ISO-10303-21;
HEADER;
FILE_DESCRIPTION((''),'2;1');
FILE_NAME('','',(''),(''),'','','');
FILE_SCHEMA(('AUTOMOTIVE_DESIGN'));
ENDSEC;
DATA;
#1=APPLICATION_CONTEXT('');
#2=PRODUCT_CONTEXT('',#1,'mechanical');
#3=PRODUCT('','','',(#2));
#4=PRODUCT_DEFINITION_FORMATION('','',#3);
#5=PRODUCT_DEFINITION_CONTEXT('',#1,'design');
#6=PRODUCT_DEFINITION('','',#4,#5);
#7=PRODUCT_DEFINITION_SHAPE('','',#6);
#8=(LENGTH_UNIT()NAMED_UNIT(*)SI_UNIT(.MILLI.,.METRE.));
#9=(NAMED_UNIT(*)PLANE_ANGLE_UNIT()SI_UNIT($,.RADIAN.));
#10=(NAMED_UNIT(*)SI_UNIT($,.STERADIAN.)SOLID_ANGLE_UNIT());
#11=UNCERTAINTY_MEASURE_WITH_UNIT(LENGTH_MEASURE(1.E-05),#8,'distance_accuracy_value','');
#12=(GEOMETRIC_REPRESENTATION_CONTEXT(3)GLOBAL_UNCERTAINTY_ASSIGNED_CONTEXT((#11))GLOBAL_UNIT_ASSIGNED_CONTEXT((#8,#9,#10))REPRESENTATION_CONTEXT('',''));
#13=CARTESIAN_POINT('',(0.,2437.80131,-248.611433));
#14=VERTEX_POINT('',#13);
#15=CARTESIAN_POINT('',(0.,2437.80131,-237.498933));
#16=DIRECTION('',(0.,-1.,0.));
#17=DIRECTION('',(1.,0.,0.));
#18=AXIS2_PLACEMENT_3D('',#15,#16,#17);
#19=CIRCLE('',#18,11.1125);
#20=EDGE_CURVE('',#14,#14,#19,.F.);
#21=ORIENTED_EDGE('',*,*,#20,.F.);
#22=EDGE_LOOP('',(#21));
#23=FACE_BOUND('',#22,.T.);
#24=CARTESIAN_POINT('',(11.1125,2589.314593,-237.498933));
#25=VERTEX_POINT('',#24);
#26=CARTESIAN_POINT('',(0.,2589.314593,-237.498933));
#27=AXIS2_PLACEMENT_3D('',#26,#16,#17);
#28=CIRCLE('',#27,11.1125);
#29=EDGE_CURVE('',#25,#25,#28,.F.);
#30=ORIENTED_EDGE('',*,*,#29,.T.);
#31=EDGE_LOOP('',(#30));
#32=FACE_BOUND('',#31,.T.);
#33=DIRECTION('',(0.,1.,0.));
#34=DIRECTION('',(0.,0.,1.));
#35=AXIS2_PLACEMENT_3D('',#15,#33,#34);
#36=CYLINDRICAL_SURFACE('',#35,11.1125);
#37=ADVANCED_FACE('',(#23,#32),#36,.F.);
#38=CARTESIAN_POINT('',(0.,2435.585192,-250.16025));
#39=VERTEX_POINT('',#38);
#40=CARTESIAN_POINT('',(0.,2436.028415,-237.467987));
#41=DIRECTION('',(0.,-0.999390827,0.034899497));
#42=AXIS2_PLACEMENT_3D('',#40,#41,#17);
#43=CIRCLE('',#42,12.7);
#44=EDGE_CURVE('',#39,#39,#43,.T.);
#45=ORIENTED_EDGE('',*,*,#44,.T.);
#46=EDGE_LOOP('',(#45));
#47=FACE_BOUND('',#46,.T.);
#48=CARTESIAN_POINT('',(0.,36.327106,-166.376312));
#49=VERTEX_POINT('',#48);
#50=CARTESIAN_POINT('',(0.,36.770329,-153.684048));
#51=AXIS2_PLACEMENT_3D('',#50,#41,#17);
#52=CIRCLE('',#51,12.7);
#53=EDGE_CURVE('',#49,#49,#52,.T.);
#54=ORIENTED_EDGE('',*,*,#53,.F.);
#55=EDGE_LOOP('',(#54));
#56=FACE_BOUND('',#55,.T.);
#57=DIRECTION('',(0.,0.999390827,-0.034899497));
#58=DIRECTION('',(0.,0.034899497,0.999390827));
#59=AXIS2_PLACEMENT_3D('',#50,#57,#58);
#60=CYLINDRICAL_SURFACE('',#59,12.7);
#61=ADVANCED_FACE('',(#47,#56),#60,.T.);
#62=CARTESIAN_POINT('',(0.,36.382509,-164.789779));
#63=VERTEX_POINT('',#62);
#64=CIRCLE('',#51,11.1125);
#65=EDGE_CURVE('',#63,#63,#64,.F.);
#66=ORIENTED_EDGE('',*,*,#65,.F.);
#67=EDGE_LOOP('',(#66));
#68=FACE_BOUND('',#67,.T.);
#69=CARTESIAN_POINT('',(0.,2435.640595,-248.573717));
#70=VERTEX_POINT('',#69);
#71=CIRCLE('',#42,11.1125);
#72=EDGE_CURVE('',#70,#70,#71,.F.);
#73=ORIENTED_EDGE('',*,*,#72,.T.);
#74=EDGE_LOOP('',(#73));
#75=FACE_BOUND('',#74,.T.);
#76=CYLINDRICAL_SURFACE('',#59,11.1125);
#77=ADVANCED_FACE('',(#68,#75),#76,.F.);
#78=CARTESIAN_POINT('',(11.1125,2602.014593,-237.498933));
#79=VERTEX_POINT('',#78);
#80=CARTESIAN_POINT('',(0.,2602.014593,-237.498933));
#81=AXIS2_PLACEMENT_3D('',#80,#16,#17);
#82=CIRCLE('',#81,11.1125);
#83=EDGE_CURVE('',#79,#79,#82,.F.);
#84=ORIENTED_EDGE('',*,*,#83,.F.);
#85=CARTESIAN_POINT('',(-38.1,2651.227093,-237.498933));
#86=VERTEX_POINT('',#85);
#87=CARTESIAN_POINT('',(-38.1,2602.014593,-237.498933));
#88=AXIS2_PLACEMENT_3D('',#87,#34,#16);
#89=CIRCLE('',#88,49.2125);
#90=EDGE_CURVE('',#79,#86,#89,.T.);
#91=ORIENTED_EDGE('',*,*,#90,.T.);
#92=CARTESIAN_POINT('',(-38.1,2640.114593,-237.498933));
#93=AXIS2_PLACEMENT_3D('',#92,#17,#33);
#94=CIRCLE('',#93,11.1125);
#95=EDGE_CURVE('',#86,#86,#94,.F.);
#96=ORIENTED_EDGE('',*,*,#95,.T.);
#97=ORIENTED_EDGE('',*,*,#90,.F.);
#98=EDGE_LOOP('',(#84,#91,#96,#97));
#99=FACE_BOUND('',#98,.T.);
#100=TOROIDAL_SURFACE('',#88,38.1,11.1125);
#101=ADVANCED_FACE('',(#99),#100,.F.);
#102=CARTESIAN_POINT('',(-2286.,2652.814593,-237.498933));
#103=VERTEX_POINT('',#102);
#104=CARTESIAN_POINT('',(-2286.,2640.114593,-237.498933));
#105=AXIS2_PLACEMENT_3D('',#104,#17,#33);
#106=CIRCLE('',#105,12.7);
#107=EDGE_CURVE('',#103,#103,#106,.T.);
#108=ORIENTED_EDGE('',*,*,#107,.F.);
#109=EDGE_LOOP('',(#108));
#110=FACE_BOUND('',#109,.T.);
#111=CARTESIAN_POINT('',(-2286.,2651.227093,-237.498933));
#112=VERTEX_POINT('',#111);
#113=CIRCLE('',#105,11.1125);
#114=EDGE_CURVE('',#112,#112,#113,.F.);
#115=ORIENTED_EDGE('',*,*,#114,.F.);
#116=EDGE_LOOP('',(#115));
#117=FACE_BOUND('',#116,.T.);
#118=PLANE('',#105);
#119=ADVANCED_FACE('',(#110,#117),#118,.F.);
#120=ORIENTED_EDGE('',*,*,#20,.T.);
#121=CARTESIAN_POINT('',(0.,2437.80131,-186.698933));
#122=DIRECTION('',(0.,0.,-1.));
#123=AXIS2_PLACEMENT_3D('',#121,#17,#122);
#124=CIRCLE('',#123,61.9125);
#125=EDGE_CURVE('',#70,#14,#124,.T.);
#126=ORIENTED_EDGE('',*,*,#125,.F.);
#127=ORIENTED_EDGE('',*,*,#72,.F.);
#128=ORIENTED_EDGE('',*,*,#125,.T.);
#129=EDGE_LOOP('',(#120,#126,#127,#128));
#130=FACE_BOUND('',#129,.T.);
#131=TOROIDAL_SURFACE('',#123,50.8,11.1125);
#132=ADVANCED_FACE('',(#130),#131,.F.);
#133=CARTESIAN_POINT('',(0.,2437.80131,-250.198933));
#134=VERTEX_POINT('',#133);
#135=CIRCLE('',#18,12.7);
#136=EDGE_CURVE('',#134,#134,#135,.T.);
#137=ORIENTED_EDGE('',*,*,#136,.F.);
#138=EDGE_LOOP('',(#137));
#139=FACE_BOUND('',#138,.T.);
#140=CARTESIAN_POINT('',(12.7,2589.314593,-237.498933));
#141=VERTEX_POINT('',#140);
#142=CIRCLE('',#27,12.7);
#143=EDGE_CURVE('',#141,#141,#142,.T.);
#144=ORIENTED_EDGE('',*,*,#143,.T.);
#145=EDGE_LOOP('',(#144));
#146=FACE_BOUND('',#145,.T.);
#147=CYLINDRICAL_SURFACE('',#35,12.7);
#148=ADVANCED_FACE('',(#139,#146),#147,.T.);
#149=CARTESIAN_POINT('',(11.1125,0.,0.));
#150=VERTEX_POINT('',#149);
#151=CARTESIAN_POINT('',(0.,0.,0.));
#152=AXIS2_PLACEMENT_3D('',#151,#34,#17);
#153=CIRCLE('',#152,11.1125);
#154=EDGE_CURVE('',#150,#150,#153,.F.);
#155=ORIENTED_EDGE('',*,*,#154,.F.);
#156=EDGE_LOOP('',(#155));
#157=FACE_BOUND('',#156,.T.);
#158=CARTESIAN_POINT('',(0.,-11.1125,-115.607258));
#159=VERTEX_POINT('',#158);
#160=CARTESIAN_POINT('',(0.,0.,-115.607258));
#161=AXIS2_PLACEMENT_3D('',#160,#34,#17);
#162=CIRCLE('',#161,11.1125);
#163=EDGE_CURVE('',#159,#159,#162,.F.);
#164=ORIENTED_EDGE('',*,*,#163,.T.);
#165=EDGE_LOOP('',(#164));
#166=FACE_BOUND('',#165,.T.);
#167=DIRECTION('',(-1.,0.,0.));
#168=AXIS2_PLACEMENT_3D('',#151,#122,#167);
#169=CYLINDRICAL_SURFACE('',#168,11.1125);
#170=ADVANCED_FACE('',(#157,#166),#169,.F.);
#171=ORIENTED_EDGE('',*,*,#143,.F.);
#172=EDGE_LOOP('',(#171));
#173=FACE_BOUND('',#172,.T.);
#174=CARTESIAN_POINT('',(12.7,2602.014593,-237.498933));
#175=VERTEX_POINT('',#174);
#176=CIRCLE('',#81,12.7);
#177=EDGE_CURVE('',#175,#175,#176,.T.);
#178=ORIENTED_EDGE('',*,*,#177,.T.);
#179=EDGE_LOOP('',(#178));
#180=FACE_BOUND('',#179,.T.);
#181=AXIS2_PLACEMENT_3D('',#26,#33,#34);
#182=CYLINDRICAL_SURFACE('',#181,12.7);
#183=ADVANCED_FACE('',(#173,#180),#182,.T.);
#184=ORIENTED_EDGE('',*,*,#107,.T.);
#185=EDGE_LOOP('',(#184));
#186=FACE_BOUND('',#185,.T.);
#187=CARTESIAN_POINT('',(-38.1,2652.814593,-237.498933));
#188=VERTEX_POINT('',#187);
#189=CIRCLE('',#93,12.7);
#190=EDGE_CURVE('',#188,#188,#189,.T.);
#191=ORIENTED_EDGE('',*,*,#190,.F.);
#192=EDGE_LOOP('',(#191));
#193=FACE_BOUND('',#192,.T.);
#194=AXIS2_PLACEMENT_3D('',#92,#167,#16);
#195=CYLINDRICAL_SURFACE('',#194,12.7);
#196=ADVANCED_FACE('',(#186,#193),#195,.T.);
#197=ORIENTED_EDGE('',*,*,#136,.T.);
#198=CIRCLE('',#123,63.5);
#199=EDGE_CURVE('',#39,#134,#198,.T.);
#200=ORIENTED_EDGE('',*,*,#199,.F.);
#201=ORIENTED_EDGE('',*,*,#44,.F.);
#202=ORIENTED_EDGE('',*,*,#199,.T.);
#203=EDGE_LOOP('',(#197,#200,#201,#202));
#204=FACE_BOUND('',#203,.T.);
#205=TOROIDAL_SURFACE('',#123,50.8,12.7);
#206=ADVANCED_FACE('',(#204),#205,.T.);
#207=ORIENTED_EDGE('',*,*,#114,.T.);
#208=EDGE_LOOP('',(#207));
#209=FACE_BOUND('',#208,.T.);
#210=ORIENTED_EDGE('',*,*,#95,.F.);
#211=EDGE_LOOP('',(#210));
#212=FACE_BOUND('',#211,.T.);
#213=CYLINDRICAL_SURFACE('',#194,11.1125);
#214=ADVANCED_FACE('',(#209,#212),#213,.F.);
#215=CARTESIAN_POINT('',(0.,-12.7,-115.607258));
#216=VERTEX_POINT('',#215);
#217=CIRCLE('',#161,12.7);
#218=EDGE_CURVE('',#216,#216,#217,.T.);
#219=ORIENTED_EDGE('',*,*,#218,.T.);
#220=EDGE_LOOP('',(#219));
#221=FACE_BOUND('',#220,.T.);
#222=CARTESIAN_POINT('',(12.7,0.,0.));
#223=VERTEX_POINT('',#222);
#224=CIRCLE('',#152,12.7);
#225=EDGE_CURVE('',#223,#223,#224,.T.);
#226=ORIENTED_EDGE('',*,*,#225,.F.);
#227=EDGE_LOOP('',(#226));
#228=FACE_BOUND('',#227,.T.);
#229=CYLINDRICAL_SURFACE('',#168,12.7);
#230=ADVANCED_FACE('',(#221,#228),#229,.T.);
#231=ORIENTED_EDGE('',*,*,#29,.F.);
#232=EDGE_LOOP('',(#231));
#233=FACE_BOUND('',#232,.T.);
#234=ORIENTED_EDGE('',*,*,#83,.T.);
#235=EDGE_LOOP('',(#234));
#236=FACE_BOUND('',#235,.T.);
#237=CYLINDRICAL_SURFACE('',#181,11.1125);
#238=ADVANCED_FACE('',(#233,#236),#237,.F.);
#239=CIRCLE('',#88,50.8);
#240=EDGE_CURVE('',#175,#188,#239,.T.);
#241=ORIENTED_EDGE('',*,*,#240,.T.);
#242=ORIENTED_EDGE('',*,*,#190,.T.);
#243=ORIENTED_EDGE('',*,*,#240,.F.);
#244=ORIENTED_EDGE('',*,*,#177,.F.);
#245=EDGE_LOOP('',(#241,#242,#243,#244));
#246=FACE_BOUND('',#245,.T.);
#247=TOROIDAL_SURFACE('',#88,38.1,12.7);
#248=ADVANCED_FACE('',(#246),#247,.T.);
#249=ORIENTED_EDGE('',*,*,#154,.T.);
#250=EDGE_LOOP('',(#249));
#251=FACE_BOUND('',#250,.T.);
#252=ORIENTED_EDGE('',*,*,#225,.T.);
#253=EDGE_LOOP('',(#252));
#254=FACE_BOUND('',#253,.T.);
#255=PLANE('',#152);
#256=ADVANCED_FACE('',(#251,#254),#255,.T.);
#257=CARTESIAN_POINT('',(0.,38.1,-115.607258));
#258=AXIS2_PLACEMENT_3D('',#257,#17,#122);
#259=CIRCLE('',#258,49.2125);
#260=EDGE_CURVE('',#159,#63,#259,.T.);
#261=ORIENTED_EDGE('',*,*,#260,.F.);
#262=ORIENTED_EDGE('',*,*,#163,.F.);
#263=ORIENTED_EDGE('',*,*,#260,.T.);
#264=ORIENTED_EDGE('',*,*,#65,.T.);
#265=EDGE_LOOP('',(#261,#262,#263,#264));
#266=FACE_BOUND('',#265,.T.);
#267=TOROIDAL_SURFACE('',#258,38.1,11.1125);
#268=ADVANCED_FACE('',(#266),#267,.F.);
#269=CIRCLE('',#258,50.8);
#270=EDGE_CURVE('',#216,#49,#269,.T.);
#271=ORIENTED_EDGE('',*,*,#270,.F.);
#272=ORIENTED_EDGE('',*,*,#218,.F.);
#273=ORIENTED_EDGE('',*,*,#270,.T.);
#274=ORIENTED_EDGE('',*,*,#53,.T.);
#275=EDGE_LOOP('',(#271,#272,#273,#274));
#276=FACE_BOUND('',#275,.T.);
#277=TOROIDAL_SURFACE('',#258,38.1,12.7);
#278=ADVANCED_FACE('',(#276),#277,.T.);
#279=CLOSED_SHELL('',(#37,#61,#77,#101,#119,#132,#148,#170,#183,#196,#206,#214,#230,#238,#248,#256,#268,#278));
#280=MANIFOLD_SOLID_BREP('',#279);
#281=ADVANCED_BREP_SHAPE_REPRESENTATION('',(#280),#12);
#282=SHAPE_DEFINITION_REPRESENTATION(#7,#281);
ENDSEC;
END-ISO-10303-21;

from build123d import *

# Parameters (mm, degrees)
SKETCH1_R   = 12.7
SKETCH1_R_2 = 11.1125


with BuildPart() as part:
    # Sweep1: sweep along a curve in space
    with BuildLine() as sweep1_path:
        Line((0, 0, 0), (0, 0, -115.60725768))
        ThreePointArc((0, 0, -115.60725768), (0, 10.693153607, -142.073741594), (0, 36.770329176, -153.684048189))
        Line((0, 36.770329176, -153.684048189), (0, 2436.028415469, -237.467986772))
        ThreePointArc((0, 2436.028415469, -237.467986772), (0, 2436.914727655, -237.491195673), (0, 2437.801309902, -237.498932759))
        Line((0, 2437.801309902, -237.498932759), (0, 2589.314592603, -237.498932759))
        Line((0, 2589.314592603, -237.498932759), (0, 2602.014592603, -237.498932759))
        ThreePointArc((0, 2602.014592603, -237.498932759), (-11.159231637, 2628.955360967, -237.498932759), (-38.1, 2640.114592603, -237.498932759))
        Line((-38.1, 2640.114592603, -237.498932759), (-2286, 2640.114592603, -237.498932759))
    # Sketch1 → Sweep1 (sweep)
    with BuildSketch(Plane.XY):
        Circle(SKETCH1_R)
        Circle(SKETCH1_R_2, mode=Mode.SUBTRACT)
    sweep(path=sweep1_path.line)


solid = part.part
